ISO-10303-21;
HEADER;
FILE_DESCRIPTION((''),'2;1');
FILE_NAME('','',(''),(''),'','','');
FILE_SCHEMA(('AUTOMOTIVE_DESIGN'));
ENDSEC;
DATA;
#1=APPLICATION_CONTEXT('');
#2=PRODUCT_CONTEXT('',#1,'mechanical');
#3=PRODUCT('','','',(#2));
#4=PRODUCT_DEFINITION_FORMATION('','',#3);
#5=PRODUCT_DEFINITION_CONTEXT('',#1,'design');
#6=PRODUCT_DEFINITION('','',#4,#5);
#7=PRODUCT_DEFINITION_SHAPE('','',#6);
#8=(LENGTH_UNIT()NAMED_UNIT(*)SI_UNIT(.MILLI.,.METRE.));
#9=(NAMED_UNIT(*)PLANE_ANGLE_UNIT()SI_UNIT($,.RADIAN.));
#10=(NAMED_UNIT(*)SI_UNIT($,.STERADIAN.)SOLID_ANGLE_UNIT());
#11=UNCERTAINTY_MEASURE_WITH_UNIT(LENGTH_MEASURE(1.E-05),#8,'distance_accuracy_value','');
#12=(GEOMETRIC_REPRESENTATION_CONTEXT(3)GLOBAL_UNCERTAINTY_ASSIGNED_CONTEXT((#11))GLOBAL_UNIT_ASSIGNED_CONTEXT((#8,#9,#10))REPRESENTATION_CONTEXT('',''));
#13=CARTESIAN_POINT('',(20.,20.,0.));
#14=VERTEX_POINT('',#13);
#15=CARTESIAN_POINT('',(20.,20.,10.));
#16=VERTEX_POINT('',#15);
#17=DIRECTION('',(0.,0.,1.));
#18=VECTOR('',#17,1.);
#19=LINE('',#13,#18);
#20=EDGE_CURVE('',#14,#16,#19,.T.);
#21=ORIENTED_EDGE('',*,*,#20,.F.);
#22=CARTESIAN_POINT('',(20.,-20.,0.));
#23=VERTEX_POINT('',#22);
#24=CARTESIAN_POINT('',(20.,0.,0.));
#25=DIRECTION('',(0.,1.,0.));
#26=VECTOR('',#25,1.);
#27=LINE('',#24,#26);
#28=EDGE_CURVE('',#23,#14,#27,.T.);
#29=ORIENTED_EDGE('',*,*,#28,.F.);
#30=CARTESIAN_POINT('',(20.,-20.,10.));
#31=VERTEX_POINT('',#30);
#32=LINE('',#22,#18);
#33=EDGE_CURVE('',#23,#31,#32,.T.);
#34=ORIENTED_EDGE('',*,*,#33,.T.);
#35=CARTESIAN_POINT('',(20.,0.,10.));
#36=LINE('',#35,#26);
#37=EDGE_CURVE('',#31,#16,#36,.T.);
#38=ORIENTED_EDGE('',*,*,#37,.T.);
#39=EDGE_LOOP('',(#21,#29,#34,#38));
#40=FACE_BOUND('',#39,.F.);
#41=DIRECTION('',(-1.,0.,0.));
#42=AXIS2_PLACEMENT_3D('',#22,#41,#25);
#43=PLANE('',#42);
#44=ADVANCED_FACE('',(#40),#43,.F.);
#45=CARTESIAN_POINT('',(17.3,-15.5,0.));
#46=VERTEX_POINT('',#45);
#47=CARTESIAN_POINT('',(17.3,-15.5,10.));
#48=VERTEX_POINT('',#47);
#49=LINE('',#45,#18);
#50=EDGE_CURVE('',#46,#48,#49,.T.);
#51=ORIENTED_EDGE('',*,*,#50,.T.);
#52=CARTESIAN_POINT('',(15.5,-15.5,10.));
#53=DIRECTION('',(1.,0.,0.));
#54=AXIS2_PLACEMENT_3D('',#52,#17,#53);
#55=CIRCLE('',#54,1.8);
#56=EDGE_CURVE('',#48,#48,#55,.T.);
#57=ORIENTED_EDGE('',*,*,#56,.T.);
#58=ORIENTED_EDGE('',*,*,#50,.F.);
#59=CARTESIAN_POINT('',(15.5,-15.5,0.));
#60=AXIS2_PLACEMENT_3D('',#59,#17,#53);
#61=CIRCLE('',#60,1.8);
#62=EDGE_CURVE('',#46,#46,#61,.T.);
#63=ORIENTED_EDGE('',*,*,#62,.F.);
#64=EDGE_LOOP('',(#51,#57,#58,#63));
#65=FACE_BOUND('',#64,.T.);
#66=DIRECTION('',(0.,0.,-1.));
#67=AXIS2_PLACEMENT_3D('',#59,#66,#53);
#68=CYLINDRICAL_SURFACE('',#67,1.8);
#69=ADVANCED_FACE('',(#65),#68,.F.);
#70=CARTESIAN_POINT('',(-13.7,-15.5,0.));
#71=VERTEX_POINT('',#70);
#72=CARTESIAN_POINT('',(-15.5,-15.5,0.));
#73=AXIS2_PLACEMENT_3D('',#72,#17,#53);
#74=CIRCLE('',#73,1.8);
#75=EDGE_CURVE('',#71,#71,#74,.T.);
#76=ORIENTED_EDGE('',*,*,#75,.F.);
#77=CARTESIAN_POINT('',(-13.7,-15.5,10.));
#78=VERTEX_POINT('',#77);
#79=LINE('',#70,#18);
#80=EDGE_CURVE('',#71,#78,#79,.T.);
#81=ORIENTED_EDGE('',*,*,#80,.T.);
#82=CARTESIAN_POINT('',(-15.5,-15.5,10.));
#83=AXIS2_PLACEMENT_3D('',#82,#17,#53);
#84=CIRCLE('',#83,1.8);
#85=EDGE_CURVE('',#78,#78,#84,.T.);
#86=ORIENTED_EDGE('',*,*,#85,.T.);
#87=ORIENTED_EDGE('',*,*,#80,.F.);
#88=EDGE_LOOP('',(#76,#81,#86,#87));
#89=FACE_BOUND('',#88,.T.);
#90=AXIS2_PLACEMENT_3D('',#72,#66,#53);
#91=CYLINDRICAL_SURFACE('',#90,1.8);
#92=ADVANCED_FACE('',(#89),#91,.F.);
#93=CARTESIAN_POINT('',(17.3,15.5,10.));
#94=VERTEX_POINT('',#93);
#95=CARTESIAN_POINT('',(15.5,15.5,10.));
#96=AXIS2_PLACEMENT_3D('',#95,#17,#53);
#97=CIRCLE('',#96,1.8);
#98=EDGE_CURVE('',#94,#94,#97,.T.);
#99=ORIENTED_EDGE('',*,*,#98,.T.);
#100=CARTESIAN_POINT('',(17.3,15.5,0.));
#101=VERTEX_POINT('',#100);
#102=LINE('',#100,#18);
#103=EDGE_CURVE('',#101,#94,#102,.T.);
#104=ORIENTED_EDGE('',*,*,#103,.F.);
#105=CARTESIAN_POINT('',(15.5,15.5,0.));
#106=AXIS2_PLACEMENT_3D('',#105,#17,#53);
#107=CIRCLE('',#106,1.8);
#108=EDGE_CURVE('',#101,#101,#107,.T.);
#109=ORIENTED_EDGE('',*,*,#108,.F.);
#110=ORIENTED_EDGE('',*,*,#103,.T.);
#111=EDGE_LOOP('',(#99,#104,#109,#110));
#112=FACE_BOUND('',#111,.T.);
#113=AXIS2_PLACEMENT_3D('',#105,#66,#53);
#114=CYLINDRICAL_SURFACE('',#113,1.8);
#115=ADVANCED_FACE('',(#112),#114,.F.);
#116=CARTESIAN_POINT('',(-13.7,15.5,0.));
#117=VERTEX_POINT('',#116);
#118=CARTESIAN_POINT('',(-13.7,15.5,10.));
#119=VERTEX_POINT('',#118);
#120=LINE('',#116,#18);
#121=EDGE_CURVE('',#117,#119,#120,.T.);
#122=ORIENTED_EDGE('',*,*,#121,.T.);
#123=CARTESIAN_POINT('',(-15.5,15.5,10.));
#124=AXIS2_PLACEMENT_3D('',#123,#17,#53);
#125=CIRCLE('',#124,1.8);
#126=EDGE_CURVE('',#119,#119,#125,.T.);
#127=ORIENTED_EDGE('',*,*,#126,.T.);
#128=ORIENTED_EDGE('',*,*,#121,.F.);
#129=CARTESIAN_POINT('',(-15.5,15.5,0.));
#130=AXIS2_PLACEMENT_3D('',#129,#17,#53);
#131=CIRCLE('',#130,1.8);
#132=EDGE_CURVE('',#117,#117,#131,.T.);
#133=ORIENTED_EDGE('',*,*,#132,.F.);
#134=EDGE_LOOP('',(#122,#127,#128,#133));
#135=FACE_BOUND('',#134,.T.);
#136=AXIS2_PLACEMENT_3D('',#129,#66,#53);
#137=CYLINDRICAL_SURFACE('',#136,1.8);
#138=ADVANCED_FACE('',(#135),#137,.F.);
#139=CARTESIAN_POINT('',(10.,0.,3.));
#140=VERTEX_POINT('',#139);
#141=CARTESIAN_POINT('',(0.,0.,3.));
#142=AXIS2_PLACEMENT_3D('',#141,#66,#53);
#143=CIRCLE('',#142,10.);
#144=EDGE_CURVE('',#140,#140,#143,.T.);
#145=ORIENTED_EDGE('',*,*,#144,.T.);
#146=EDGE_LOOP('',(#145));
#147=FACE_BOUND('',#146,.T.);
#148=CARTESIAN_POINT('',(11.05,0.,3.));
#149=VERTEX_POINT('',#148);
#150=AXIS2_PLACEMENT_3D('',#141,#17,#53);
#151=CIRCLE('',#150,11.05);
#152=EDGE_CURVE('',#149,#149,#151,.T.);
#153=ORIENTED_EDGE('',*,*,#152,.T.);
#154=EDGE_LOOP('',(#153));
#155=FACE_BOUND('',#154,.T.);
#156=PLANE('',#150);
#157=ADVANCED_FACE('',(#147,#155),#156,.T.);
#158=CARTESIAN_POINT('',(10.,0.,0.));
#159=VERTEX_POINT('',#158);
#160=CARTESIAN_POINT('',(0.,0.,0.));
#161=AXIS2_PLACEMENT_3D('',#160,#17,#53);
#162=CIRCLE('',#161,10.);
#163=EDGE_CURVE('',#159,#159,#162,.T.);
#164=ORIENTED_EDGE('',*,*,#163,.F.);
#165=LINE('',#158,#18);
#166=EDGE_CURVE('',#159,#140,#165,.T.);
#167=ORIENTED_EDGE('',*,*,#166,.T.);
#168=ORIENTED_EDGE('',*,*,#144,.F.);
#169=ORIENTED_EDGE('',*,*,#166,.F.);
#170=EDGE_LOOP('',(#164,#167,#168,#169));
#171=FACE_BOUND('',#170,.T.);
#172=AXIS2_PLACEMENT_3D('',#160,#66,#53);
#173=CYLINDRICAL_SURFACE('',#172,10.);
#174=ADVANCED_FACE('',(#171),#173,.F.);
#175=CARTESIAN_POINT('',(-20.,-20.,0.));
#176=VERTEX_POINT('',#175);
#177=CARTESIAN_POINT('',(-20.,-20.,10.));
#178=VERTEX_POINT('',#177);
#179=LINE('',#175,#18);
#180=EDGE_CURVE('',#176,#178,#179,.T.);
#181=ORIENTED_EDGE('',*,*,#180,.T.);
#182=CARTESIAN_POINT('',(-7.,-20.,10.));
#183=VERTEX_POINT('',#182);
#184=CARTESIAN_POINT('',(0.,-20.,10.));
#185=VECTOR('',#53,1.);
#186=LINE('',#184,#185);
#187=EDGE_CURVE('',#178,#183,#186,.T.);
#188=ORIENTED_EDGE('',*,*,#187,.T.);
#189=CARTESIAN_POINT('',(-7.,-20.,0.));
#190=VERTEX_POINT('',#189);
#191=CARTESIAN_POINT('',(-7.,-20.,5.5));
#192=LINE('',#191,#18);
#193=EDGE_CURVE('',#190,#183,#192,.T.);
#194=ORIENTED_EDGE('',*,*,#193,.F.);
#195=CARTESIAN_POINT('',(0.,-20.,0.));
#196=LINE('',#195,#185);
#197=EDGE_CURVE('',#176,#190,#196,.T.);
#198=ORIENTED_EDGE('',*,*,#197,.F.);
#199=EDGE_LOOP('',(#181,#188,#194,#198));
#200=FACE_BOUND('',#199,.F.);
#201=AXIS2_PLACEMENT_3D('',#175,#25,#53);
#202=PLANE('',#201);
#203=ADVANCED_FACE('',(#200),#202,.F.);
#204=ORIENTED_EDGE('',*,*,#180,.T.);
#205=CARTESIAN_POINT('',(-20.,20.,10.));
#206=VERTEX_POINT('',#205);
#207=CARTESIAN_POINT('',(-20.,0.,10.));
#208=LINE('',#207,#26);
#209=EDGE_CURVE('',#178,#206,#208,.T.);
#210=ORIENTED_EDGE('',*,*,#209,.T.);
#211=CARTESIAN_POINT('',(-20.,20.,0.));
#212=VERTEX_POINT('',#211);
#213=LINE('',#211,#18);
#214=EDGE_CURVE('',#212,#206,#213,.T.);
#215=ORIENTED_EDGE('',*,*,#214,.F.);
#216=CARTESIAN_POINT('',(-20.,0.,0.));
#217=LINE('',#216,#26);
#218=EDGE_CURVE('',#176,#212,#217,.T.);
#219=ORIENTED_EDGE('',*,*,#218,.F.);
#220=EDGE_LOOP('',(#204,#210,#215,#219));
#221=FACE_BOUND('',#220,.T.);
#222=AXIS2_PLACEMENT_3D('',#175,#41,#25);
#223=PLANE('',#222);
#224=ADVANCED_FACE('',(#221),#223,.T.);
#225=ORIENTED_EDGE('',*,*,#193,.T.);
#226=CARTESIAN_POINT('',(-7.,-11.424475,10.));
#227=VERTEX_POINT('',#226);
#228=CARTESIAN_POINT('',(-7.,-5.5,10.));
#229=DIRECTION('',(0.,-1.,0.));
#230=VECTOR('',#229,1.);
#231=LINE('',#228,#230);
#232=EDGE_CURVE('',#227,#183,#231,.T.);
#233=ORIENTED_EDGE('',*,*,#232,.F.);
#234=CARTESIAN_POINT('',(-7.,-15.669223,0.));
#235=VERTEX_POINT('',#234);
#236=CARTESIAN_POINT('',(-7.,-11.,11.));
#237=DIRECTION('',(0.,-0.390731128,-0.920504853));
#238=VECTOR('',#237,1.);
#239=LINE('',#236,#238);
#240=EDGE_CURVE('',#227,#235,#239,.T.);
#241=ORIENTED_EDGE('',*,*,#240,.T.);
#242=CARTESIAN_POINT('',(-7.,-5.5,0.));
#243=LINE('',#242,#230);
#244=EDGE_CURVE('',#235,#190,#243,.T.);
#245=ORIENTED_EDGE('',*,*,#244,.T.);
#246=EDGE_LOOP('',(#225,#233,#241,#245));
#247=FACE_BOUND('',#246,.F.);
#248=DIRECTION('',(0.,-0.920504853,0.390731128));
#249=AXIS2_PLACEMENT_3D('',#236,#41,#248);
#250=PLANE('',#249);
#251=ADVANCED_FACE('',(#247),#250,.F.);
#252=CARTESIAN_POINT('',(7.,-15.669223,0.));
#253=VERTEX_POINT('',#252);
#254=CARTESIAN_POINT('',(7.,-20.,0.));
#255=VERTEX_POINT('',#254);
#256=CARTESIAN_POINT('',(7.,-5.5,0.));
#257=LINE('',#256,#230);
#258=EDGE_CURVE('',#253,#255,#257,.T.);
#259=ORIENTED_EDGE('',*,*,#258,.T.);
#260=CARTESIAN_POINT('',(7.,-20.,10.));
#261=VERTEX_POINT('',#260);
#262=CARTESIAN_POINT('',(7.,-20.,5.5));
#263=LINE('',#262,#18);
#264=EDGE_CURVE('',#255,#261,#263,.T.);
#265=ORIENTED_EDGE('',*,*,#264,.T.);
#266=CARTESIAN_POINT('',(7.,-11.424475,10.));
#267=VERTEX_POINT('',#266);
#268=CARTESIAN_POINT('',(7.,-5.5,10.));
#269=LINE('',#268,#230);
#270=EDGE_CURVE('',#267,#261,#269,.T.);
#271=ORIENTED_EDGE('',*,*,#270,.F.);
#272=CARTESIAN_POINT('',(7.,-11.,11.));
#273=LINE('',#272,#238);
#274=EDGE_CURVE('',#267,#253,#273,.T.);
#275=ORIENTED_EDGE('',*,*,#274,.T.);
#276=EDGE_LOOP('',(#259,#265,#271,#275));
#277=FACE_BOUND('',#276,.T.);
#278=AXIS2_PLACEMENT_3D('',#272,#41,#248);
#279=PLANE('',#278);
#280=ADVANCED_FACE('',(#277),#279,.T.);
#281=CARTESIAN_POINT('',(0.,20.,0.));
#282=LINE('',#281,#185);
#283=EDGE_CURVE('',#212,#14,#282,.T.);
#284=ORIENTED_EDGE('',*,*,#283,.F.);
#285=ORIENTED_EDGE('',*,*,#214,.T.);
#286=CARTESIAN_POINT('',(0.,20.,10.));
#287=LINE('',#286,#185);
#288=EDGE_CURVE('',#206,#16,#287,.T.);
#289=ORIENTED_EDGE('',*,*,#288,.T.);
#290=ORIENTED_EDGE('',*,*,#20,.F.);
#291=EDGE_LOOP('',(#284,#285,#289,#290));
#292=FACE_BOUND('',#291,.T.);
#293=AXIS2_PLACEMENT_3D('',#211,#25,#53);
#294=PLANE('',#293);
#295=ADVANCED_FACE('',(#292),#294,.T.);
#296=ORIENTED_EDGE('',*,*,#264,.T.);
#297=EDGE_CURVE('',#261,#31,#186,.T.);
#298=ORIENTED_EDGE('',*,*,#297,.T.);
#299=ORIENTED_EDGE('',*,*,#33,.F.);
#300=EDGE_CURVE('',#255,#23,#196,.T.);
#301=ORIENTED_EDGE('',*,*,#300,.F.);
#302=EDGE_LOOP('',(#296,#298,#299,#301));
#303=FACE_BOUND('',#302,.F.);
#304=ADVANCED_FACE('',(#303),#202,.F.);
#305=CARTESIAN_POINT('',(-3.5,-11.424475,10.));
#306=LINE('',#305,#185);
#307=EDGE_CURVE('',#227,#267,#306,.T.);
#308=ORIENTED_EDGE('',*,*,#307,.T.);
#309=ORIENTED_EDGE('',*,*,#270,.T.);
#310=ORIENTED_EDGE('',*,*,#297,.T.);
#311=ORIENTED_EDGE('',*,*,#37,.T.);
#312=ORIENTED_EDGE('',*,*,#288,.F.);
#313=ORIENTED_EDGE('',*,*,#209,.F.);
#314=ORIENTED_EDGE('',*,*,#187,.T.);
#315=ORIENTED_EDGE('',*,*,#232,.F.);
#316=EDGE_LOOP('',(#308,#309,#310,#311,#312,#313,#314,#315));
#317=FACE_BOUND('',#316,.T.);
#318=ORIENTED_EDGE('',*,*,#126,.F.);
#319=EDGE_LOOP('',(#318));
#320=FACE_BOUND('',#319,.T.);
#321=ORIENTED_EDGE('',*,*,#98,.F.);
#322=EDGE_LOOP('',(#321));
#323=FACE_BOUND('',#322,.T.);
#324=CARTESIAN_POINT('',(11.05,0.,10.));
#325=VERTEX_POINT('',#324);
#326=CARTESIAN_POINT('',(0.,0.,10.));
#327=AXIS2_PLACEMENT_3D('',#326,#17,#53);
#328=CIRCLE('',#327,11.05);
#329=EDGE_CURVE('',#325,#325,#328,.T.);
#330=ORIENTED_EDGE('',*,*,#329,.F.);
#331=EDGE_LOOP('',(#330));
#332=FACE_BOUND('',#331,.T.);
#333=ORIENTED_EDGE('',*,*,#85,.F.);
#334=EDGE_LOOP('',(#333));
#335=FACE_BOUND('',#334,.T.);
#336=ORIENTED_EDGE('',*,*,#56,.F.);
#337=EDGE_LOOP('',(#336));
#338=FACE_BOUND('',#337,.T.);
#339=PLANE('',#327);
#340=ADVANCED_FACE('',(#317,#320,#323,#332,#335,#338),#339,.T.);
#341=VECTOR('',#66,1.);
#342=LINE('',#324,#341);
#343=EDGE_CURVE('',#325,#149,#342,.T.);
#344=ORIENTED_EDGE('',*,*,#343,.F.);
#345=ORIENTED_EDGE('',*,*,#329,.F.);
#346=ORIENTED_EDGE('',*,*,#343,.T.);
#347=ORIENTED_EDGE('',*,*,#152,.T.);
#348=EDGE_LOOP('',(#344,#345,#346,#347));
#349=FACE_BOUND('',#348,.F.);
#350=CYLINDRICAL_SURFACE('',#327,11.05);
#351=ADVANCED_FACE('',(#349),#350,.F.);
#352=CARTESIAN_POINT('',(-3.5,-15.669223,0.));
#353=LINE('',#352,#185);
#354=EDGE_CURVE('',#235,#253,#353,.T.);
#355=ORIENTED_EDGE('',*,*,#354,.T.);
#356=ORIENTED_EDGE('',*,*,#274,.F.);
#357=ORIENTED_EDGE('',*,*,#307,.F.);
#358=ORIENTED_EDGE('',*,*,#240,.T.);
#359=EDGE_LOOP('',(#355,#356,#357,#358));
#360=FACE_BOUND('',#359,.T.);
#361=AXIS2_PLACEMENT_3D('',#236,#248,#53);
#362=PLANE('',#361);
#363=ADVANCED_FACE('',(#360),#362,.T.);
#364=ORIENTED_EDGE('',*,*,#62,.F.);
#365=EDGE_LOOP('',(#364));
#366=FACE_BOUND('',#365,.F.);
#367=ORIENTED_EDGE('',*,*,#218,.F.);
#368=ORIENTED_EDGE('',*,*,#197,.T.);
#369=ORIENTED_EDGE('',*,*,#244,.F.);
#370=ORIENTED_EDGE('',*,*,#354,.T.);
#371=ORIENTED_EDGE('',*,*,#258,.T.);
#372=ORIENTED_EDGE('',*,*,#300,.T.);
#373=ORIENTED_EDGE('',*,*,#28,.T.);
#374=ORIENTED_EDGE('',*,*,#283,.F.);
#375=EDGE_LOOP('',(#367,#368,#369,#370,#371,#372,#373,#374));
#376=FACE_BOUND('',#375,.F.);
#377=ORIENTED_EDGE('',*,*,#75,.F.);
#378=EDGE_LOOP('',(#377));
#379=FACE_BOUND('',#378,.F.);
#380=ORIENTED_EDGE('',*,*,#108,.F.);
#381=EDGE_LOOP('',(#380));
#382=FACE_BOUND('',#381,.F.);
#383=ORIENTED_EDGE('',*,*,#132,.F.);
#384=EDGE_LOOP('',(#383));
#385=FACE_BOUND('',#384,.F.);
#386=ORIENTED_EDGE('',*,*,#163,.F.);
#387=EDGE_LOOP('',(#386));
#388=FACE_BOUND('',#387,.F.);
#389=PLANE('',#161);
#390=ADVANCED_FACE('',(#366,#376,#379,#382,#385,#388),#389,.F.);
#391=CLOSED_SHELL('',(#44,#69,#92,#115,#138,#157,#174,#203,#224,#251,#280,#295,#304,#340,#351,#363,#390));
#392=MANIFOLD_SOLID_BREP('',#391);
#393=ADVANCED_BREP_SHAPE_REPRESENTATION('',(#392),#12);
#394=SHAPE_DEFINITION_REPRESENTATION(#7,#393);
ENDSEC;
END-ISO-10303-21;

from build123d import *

# Parameters (mm, degrees)
BOX_W               = 14
BOX_H               = 10
BOX_DEPTH           = 20
BOX_PLACEMENT_ANGLE = 157
SKETCH_W            = 40
SKETCH_H            = 40
SKETCH_R            = 1.8
SKETCH_R_2          = 10
PAD_DEPTH           = 10
SKETCH001_R         = 11.05
POCKET_DEPTH        = 7


with BuildPart() as cube:
    # Box → Box (new body)
    with BuildSketch(Plane.XY):
        with Locations((7, 5)):
            Rectangle(BOX_W, BOX_H)
    extrude(amount=BOX_DEPTH)


with BuildPart() as cube_1:
    # Box placement: moved
    add(cube.part.moved(Location((-7, -11, 11))).rotate(Axis((-7, -11, 11), (1, 0, 0)), BOX_PLACEMENT_ANGLE))


with BuildPart() as cut:
    # Sketch → Pad (new body)
    with BuildSketch(Plane.XY):
        Rectangle(SKETCH_W, SKETCH_H)
        with Locations((-15.5, 15.5)):
            Circle(SKETCH_R, mode=Mode.SUBTRACT)
        with Locations((15.5, 15.5)):
            Circle(SKETCH_R, mode=Mode.SUBTRACT)
        with Locations((-15.5, -15.5)):
            Circle(SKETCH_R, mode=Mode.SUBTRACT)
        with Locations((15.5, -15.5)):
            Circle(SKETCH_R, mode=Mode.SUBTRACT)
        Circle(SKETCH_R_2, mode=Mode.SUBTRACT)
    extrude(amount=PAD_DEPTH)

    # Sketch001 → Pocket (cut)
    with BuildSketch(Plane.XY.offset(10)):
        Circle(SKETCH001_R)
    extrude(amount=-POCKET_DEPTH, mode=Mode.SUBTRACT)

    # Cut: cut Cube
    add(cube_1.part, mode=Mode.SUBTRACT)


solid = cut.part
